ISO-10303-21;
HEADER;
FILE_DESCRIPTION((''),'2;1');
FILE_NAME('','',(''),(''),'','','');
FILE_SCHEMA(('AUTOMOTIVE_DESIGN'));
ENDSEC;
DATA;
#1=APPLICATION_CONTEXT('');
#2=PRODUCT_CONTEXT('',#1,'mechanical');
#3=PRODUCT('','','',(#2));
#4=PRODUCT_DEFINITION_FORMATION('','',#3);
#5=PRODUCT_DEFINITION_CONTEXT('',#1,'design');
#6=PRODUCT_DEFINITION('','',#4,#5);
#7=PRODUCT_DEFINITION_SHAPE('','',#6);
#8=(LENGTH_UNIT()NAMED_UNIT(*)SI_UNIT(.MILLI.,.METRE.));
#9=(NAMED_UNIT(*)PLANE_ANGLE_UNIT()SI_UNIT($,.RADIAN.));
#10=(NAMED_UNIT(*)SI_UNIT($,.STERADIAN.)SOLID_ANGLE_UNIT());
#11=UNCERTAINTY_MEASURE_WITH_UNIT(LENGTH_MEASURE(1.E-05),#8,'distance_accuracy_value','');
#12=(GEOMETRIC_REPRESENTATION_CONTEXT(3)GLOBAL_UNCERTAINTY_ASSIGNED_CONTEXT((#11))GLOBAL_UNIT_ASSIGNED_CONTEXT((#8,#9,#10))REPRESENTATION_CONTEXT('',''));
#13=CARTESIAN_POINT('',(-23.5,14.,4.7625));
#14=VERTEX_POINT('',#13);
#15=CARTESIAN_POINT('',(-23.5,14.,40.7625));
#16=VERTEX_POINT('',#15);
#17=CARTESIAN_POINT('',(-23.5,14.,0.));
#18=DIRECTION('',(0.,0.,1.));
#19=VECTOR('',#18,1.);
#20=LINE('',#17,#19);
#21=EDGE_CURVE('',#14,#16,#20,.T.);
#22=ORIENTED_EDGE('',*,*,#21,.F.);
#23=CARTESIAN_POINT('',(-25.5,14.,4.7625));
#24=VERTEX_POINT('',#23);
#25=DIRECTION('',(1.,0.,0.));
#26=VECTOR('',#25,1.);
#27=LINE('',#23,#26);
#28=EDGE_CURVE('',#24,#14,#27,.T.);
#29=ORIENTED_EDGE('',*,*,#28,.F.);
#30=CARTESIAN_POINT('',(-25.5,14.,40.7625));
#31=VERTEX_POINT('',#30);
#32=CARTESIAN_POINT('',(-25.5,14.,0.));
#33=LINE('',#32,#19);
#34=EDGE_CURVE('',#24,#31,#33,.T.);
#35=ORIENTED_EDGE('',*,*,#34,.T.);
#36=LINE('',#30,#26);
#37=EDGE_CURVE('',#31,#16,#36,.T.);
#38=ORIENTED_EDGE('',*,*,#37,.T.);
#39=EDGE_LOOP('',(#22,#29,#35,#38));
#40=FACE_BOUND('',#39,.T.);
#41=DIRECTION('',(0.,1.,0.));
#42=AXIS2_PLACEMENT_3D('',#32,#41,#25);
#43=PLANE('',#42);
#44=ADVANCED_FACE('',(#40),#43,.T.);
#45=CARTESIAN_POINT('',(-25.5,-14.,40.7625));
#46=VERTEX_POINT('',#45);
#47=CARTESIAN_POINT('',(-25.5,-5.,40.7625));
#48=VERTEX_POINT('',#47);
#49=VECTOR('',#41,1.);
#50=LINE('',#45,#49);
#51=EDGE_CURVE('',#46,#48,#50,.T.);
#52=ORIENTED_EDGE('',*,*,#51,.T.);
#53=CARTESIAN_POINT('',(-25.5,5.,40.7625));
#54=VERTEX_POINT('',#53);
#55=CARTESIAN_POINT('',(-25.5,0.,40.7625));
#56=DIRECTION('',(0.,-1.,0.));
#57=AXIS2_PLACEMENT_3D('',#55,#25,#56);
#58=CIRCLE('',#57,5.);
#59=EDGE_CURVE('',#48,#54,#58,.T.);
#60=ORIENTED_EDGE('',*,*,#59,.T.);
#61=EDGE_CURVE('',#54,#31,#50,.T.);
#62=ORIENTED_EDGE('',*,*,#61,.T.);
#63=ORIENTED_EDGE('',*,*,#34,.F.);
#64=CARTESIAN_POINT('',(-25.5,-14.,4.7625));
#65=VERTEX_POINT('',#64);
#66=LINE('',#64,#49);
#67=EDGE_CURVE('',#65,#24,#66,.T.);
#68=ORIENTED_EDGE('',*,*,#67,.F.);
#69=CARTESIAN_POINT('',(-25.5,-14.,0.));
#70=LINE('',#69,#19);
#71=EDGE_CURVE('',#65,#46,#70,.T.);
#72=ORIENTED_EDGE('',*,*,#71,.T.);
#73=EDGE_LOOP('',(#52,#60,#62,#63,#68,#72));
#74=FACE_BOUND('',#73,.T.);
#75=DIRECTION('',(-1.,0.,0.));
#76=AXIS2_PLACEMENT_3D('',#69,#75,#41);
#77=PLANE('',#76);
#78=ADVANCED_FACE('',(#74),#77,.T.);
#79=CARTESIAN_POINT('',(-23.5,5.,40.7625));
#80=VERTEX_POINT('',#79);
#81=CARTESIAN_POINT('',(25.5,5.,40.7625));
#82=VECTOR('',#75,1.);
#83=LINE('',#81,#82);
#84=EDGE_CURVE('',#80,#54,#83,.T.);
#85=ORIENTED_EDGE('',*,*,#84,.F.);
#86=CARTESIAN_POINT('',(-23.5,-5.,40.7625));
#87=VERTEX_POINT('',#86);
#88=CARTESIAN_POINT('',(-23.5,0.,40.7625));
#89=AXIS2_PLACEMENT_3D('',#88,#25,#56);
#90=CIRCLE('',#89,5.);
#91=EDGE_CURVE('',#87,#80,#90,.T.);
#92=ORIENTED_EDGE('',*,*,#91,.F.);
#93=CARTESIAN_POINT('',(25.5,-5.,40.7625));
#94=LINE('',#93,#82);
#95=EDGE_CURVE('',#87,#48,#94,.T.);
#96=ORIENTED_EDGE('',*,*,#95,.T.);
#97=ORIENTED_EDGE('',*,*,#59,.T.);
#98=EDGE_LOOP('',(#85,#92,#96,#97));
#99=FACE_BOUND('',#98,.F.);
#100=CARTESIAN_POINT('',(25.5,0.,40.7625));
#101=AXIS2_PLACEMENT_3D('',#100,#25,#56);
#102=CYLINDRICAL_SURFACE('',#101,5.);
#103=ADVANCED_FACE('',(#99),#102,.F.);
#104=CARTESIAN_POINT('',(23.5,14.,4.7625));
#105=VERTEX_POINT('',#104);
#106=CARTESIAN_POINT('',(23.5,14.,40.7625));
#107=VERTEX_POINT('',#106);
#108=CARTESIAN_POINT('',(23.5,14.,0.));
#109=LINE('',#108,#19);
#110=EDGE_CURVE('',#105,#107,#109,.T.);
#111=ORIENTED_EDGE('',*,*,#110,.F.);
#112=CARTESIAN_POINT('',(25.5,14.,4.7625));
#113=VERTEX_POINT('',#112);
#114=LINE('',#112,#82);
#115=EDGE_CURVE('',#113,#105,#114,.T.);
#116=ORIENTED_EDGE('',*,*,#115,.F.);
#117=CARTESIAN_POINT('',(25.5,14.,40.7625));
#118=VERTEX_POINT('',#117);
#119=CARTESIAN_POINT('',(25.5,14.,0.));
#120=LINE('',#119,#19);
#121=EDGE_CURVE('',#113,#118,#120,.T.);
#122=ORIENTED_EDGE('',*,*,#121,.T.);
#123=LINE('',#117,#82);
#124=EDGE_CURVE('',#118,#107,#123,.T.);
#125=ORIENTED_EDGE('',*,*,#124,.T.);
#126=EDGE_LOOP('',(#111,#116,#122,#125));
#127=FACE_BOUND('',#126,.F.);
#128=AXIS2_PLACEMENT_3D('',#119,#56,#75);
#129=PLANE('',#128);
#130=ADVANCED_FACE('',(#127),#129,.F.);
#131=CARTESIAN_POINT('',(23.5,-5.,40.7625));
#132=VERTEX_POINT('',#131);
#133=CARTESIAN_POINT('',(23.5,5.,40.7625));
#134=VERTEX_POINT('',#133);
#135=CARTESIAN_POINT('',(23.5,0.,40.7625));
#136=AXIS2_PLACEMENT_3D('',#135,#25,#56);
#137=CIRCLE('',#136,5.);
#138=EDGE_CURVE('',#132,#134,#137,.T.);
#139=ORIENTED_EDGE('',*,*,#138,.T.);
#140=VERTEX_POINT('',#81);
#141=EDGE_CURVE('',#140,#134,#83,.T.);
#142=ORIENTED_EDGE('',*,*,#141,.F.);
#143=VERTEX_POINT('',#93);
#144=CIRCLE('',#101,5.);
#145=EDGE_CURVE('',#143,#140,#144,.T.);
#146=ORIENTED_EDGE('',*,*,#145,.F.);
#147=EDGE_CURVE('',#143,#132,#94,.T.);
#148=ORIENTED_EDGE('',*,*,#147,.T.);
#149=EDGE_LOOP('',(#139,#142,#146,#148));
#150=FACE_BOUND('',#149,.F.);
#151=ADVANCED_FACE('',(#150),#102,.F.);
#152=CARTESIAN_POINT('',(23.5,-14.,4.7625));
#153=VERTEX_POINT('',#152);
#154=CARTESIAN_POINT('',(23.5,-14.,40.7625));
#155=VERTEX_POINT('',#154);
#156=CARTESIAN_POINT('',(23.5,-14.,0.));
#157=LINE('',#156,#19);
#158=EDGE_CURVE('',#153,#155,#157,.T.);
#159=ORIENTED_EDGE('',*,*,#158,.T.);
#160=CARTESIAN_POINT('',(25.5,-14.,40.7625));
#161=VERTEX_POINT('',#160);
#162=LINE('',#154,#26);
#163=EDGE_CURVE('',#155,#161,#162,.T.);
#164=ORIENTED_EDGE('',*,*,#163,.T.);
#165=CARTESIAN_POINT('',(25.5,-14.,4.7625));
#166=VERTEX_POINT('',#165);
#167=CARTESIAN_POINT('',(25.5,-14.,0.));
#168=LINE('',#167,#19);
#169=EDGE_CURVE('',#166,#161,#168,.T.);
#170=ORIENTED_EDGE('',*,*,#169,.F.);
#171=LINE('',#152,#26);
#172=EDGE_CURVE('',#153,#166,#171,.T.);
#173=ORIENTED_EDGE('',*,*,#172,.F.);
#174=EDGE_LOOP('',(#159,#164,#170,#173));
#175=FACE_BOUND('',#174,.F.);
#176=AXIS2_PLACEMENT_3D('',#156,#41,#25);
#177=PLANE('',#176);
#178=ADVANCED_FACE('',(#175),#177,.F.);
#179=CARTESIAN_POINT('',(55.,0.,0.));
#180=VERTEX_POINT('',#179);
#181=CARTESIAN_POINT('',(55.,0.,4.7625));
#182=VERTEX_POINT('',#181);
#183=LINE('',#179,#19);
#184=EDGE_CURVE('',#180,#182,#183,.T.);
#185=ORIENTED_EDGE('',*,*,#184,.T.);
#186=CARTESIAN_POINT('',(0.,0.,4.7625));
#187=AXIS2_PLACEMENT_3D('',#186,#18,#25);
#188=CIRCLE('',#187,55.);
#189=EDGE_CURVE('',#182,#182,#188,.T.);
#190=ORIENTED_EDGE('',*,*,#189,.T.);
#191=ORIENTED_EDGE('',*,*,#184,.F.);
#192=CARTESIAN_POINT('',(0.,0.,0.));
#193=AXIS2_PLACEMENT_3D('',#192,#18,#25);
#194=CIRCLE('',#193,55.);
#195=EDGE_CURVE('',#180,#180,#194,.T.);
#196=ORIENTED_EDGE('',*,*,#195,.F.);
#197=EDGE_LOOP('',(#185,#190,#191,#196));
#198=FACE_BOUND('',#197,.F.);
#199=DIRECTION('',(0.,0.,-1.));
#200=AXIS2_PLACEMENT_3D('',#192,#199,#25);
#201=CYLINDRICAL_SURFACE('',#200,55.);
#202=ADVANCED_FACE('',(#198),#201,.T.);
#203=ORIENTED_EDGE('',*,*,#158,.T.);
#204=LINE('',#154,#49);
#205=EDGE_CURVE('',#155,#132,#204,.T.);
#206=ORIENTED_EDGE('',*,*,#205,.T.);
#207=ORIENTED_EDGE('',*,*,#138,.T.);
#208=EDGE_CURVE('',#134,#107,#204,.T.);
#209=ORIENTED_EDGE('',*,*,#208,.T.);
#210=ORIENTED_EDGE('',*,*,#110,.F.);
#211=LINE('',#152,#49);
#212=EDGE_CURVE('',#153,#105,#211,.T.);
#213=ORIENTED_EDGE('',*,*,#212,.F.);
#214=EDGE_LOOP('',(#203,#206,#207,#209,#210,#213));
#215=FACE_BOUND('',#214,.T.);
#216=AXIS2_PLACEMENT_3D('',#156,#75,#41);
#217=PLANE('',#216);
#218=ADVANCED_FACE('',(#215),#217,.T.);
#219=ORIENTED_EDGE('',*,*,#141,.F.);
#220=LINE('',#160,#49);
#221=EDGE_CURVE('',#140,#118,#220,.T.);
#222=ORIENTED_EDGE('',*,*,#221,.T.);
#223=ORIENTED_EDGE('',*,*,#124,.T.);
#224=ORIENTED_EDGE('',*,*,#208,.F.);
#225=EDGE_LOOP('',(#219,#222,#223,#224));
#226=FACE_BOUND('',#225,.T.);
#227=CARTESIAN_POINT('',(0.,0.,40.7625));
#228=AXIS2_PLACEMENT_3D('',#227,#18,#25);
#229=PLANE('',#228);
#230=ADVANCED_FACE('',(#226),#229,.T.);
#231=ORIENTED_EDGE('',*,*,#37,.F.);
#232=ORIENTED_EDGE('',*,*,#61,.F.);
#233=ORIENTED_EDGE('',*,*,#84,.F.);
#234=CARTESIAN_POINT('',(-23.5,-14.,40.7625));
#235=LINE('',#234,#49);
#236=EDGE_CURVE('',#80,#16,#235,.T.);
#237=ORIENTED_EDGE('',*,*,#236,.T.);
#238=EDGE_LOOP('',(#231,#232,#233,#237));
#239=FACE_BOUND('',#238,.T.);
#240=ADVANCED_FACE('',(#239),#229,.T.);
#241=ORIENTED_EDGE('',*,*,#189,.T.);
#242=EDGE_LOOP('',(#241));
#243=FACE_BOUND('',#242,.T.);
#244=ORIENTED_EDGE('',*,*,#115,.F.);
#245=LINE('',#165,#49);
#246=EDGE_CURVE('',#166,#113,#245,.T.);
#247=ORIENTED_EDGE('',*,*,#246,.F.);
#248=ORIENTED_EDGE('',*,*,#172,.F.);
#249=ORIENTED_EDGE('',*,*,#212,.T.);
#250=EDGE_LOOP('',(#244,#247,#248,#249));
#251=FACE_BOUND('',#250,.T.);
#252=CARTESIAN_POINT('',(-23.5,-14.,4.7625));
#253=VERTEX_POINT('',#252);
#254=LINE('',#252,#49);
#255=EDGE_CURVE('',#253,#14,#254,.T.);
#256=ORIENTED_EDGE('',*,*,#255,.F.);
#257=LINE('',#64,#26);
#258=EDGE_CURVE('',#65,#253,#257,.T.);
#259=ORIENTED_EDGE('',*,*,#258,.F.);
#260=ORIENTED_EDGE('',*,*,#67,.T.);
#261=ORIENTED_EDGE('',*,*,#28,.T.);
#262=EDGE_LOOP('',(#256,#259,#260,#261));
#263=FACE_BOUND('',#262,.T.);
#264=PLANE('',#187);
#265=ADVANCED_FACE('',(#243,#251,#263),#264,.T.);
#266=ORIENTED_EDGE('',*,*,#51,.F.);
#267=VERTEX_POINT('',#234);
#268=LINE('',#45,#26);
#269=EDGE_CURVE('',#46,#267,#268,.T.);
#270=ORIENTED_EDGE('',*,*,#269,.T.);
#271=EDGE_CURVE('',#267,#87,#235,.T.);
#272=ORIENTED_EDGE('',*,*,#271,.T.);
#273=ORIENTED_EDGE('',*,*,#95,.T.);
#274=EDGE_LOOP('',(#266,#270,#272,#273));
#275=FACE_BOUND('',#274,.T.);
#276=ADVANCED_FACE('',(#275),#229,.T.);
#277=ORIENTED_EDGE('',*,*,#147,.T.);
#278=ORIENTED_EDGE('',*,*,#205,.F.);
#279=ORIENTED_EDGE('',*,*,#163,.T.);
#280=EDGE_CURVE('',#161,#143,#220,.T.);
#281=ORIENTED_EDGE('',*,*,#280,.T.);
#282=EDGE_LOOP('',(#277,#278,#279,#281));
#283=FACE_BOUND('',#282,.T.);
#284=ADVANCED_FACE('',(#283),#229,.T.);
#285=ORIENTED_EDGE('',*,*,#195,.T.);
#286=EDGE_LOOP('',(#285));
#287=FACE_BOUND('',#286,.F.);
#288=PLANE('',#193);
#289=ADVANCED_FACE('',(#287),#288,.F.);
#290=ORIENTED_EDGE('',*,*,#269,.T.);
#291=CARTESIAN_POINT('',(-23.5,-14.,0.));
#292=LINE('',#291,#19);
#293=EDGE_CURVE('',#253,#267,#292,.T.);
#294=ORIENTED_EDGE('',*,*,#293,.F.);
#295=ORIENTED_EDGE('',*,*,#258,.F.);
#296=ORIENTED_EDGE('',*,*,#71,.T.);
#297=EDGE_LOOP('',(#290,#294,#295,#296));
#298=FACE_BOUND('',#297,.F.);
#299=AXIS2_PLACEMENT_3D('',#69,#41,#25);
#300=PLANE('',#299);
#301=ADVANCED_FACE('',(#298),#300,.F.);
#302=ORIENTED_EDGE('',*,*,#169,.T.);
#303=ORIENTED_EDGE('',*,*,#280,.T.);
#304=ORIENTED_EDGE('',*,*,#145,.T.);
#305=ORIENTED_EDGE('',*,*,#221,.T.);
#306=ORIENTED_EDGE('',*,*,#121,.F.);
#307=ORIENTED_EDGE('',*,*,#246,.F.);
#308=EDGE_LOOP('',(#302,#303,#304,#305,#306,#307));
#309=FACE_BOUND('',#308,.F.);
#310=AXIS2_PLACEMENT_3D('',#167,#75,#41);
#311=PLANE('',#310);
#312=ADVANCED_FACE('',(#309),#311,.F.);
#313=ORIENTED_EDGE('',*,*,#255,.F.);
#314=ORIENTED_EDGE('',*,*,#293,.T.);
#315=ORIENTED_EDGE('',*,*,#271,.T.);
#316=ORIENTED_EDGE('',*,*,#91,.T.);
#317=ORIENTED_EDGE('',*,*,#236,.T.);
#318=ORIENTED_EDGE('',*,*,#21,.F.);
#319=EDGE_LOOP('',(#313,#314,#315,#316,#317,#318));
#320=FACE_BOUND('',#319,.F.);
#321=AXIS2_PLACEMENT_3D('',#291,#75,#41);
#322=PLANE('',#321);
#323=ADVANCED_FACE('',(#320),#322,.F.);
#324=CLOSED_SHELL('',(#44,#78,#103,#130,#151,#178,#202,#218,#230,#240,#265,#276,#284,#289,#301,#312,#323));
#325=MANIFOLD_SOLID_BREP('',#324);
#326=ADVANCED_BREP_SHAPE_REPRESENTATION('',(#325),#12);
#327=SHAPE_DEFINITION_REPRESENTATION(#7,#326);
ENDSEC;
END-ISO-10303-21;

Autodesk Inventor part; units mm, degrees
ref_plane "YZ Plane" through (0, 0, 0) normal (1, 0, 0) x (0, 1, 0)
ref_plane "XZ Plane" through (0, 0, 0) normal (0, 1, 0) x (-1, 0, 0)
ref_plane "XY Plane" through (0, 0, 0) normal (0, 0, 1) x (1, 0, 0)
sketch "Sketch1" plane through (0, 0, 0) normal (0, 0, 1) x (1, 0, 0)
  circle A0 centre (0, 0) radius 55
  line L0 (23.5, -14) -> (23.5, 14)
  line L1 (-23.5, -14) -> (-23.5, 14)
  line L2 (-25.5, -14) -> (-25.5, 14)
  line L3 (25.5, -14) -> (25.5, 14)
  line L4 (25.5, 14) -> (23.5, 14)
  line L5 (23.5, -14) -> (25.5, -14)
  line L6 (-25.5, -14) -> (-23.5, -14)
  line L7 (-25.5, 14) -> (-23.5, 14)
extrude "Extrusion1" add sketch "Sketch1" along normal blind 4.7625
extrude "Extrusion2" add sketch "Sketch1" along normal blind 40.7625 contours L0 L4 L3 L5 | L6 L2 L7 L1
sketch "Sketch2" plane through (25.5, -14, 4.7625) normal (1, 0, 0) x (0, 0, -1)
  line L0 (-36, 28) -> (-36, 0) projected
  line L1 (-39, 7) -> (-39, 2.0417)
  arc A0 (-39, 2.0417) -> (-37.1667, 0.0487) centre (-37, 2.0417) ccw
  arc A1 (-37.1667, 0.0487) -> (-36, 0) centre (-36, 14) ccw
  line L2 (-2, 0) -> (-36, 0)
  line L3 (-2, 28) -> (-2, 0)
  line L4 (-2, 28) -> (-36, 28)
  arc A2 (-36, 28) -> (-37.1667, 27.9513) centre (-36, 14) ccw
  arc A3 (-37.1667, 27.9513) -> (-39, 25.9583) centre (-37, 25.9583) ccw
  line L5 (-39, 25.9583) -> (-39, 21)
  arc A4 (-39, 21) -> (-37, 19) centre (-37, 21) ccw
  line L6 (-37, 19) -> (-36, 19)
  arc A5 (-36, 9) -> (-36, 19) centre (-36, 14) ccw
  line L7 (-37, 9) -> (-36, 9)
  arc A6 (-37, 9) -> (-39, 7) centre (-37, 7) ccw
  circle A7 centre (-36, 25) radius 1.25
  circle A8 centre (-28.2218, 21.7782) radius 1.25
  circle A9 centre (-25, 14) radius 1.25
  circle A10 centre (-28.2218, 6.2218) radius 1.25
  circle A11 centre (-36, 3) radius 1.25
  circle A12 centre (-15, 6) radius 1.05
  circle A13 centre (-15, 22) radius 1.05
  line L8 (-8, 6) -> (-11, 6)
  arc A14 (-12, 7) -> (-11, 6) centre (-11, 7) ccw
  line L9 (-12, 7) -> (-12, 21)
  arc A15 (-11, 22) -> (-12, 21) centre (-11, 21) ccw
  line L10 (-8, 22) -> (-11, 22)
  arc A16 (-7, 21) -> (-8, 22) centre (-8, 21) ccw
  line L11 (-7, 21) -> (-7, 7)
  arc A17 (-8, 6) -> (-7, 7) centre (-8, 7) ccw
  line L12 (-18, 21) -> (-18, 7)
  arc A18 (-19, 6) -> (-18, 7) centre (-19, 7) ccw
  line L13 (-19, 6) -> (-21, 6)
  arc A19 (-22, 7) -> (-21, 6) centre (-21, 7) ccw
  line L14 (-22, 7) -> (-22, 21)
  arc A20 (-21, 22) -> (-22, 21) centre (-21, 21) ccw
  line L15 (-21, 22) -> (-19, 22)
  arc A21 (-18, 21) -> (-19, 22) centre (-19, 21) ccw
  circle A22 centre (-36, 6) radius 1
  circle A23 centre (-28, 14) radius 1
  circle A24 centre (-36, 22) radius 1
  line L16 (-36, 19) -> (-36, 9)
  point P0 (4.7625, 14)
  point P1 (-36, 14)
extrude "Extrusion3" cut sketch "Sketch2" against normal through all contours A5 L0
properties part number "Shoulder"
